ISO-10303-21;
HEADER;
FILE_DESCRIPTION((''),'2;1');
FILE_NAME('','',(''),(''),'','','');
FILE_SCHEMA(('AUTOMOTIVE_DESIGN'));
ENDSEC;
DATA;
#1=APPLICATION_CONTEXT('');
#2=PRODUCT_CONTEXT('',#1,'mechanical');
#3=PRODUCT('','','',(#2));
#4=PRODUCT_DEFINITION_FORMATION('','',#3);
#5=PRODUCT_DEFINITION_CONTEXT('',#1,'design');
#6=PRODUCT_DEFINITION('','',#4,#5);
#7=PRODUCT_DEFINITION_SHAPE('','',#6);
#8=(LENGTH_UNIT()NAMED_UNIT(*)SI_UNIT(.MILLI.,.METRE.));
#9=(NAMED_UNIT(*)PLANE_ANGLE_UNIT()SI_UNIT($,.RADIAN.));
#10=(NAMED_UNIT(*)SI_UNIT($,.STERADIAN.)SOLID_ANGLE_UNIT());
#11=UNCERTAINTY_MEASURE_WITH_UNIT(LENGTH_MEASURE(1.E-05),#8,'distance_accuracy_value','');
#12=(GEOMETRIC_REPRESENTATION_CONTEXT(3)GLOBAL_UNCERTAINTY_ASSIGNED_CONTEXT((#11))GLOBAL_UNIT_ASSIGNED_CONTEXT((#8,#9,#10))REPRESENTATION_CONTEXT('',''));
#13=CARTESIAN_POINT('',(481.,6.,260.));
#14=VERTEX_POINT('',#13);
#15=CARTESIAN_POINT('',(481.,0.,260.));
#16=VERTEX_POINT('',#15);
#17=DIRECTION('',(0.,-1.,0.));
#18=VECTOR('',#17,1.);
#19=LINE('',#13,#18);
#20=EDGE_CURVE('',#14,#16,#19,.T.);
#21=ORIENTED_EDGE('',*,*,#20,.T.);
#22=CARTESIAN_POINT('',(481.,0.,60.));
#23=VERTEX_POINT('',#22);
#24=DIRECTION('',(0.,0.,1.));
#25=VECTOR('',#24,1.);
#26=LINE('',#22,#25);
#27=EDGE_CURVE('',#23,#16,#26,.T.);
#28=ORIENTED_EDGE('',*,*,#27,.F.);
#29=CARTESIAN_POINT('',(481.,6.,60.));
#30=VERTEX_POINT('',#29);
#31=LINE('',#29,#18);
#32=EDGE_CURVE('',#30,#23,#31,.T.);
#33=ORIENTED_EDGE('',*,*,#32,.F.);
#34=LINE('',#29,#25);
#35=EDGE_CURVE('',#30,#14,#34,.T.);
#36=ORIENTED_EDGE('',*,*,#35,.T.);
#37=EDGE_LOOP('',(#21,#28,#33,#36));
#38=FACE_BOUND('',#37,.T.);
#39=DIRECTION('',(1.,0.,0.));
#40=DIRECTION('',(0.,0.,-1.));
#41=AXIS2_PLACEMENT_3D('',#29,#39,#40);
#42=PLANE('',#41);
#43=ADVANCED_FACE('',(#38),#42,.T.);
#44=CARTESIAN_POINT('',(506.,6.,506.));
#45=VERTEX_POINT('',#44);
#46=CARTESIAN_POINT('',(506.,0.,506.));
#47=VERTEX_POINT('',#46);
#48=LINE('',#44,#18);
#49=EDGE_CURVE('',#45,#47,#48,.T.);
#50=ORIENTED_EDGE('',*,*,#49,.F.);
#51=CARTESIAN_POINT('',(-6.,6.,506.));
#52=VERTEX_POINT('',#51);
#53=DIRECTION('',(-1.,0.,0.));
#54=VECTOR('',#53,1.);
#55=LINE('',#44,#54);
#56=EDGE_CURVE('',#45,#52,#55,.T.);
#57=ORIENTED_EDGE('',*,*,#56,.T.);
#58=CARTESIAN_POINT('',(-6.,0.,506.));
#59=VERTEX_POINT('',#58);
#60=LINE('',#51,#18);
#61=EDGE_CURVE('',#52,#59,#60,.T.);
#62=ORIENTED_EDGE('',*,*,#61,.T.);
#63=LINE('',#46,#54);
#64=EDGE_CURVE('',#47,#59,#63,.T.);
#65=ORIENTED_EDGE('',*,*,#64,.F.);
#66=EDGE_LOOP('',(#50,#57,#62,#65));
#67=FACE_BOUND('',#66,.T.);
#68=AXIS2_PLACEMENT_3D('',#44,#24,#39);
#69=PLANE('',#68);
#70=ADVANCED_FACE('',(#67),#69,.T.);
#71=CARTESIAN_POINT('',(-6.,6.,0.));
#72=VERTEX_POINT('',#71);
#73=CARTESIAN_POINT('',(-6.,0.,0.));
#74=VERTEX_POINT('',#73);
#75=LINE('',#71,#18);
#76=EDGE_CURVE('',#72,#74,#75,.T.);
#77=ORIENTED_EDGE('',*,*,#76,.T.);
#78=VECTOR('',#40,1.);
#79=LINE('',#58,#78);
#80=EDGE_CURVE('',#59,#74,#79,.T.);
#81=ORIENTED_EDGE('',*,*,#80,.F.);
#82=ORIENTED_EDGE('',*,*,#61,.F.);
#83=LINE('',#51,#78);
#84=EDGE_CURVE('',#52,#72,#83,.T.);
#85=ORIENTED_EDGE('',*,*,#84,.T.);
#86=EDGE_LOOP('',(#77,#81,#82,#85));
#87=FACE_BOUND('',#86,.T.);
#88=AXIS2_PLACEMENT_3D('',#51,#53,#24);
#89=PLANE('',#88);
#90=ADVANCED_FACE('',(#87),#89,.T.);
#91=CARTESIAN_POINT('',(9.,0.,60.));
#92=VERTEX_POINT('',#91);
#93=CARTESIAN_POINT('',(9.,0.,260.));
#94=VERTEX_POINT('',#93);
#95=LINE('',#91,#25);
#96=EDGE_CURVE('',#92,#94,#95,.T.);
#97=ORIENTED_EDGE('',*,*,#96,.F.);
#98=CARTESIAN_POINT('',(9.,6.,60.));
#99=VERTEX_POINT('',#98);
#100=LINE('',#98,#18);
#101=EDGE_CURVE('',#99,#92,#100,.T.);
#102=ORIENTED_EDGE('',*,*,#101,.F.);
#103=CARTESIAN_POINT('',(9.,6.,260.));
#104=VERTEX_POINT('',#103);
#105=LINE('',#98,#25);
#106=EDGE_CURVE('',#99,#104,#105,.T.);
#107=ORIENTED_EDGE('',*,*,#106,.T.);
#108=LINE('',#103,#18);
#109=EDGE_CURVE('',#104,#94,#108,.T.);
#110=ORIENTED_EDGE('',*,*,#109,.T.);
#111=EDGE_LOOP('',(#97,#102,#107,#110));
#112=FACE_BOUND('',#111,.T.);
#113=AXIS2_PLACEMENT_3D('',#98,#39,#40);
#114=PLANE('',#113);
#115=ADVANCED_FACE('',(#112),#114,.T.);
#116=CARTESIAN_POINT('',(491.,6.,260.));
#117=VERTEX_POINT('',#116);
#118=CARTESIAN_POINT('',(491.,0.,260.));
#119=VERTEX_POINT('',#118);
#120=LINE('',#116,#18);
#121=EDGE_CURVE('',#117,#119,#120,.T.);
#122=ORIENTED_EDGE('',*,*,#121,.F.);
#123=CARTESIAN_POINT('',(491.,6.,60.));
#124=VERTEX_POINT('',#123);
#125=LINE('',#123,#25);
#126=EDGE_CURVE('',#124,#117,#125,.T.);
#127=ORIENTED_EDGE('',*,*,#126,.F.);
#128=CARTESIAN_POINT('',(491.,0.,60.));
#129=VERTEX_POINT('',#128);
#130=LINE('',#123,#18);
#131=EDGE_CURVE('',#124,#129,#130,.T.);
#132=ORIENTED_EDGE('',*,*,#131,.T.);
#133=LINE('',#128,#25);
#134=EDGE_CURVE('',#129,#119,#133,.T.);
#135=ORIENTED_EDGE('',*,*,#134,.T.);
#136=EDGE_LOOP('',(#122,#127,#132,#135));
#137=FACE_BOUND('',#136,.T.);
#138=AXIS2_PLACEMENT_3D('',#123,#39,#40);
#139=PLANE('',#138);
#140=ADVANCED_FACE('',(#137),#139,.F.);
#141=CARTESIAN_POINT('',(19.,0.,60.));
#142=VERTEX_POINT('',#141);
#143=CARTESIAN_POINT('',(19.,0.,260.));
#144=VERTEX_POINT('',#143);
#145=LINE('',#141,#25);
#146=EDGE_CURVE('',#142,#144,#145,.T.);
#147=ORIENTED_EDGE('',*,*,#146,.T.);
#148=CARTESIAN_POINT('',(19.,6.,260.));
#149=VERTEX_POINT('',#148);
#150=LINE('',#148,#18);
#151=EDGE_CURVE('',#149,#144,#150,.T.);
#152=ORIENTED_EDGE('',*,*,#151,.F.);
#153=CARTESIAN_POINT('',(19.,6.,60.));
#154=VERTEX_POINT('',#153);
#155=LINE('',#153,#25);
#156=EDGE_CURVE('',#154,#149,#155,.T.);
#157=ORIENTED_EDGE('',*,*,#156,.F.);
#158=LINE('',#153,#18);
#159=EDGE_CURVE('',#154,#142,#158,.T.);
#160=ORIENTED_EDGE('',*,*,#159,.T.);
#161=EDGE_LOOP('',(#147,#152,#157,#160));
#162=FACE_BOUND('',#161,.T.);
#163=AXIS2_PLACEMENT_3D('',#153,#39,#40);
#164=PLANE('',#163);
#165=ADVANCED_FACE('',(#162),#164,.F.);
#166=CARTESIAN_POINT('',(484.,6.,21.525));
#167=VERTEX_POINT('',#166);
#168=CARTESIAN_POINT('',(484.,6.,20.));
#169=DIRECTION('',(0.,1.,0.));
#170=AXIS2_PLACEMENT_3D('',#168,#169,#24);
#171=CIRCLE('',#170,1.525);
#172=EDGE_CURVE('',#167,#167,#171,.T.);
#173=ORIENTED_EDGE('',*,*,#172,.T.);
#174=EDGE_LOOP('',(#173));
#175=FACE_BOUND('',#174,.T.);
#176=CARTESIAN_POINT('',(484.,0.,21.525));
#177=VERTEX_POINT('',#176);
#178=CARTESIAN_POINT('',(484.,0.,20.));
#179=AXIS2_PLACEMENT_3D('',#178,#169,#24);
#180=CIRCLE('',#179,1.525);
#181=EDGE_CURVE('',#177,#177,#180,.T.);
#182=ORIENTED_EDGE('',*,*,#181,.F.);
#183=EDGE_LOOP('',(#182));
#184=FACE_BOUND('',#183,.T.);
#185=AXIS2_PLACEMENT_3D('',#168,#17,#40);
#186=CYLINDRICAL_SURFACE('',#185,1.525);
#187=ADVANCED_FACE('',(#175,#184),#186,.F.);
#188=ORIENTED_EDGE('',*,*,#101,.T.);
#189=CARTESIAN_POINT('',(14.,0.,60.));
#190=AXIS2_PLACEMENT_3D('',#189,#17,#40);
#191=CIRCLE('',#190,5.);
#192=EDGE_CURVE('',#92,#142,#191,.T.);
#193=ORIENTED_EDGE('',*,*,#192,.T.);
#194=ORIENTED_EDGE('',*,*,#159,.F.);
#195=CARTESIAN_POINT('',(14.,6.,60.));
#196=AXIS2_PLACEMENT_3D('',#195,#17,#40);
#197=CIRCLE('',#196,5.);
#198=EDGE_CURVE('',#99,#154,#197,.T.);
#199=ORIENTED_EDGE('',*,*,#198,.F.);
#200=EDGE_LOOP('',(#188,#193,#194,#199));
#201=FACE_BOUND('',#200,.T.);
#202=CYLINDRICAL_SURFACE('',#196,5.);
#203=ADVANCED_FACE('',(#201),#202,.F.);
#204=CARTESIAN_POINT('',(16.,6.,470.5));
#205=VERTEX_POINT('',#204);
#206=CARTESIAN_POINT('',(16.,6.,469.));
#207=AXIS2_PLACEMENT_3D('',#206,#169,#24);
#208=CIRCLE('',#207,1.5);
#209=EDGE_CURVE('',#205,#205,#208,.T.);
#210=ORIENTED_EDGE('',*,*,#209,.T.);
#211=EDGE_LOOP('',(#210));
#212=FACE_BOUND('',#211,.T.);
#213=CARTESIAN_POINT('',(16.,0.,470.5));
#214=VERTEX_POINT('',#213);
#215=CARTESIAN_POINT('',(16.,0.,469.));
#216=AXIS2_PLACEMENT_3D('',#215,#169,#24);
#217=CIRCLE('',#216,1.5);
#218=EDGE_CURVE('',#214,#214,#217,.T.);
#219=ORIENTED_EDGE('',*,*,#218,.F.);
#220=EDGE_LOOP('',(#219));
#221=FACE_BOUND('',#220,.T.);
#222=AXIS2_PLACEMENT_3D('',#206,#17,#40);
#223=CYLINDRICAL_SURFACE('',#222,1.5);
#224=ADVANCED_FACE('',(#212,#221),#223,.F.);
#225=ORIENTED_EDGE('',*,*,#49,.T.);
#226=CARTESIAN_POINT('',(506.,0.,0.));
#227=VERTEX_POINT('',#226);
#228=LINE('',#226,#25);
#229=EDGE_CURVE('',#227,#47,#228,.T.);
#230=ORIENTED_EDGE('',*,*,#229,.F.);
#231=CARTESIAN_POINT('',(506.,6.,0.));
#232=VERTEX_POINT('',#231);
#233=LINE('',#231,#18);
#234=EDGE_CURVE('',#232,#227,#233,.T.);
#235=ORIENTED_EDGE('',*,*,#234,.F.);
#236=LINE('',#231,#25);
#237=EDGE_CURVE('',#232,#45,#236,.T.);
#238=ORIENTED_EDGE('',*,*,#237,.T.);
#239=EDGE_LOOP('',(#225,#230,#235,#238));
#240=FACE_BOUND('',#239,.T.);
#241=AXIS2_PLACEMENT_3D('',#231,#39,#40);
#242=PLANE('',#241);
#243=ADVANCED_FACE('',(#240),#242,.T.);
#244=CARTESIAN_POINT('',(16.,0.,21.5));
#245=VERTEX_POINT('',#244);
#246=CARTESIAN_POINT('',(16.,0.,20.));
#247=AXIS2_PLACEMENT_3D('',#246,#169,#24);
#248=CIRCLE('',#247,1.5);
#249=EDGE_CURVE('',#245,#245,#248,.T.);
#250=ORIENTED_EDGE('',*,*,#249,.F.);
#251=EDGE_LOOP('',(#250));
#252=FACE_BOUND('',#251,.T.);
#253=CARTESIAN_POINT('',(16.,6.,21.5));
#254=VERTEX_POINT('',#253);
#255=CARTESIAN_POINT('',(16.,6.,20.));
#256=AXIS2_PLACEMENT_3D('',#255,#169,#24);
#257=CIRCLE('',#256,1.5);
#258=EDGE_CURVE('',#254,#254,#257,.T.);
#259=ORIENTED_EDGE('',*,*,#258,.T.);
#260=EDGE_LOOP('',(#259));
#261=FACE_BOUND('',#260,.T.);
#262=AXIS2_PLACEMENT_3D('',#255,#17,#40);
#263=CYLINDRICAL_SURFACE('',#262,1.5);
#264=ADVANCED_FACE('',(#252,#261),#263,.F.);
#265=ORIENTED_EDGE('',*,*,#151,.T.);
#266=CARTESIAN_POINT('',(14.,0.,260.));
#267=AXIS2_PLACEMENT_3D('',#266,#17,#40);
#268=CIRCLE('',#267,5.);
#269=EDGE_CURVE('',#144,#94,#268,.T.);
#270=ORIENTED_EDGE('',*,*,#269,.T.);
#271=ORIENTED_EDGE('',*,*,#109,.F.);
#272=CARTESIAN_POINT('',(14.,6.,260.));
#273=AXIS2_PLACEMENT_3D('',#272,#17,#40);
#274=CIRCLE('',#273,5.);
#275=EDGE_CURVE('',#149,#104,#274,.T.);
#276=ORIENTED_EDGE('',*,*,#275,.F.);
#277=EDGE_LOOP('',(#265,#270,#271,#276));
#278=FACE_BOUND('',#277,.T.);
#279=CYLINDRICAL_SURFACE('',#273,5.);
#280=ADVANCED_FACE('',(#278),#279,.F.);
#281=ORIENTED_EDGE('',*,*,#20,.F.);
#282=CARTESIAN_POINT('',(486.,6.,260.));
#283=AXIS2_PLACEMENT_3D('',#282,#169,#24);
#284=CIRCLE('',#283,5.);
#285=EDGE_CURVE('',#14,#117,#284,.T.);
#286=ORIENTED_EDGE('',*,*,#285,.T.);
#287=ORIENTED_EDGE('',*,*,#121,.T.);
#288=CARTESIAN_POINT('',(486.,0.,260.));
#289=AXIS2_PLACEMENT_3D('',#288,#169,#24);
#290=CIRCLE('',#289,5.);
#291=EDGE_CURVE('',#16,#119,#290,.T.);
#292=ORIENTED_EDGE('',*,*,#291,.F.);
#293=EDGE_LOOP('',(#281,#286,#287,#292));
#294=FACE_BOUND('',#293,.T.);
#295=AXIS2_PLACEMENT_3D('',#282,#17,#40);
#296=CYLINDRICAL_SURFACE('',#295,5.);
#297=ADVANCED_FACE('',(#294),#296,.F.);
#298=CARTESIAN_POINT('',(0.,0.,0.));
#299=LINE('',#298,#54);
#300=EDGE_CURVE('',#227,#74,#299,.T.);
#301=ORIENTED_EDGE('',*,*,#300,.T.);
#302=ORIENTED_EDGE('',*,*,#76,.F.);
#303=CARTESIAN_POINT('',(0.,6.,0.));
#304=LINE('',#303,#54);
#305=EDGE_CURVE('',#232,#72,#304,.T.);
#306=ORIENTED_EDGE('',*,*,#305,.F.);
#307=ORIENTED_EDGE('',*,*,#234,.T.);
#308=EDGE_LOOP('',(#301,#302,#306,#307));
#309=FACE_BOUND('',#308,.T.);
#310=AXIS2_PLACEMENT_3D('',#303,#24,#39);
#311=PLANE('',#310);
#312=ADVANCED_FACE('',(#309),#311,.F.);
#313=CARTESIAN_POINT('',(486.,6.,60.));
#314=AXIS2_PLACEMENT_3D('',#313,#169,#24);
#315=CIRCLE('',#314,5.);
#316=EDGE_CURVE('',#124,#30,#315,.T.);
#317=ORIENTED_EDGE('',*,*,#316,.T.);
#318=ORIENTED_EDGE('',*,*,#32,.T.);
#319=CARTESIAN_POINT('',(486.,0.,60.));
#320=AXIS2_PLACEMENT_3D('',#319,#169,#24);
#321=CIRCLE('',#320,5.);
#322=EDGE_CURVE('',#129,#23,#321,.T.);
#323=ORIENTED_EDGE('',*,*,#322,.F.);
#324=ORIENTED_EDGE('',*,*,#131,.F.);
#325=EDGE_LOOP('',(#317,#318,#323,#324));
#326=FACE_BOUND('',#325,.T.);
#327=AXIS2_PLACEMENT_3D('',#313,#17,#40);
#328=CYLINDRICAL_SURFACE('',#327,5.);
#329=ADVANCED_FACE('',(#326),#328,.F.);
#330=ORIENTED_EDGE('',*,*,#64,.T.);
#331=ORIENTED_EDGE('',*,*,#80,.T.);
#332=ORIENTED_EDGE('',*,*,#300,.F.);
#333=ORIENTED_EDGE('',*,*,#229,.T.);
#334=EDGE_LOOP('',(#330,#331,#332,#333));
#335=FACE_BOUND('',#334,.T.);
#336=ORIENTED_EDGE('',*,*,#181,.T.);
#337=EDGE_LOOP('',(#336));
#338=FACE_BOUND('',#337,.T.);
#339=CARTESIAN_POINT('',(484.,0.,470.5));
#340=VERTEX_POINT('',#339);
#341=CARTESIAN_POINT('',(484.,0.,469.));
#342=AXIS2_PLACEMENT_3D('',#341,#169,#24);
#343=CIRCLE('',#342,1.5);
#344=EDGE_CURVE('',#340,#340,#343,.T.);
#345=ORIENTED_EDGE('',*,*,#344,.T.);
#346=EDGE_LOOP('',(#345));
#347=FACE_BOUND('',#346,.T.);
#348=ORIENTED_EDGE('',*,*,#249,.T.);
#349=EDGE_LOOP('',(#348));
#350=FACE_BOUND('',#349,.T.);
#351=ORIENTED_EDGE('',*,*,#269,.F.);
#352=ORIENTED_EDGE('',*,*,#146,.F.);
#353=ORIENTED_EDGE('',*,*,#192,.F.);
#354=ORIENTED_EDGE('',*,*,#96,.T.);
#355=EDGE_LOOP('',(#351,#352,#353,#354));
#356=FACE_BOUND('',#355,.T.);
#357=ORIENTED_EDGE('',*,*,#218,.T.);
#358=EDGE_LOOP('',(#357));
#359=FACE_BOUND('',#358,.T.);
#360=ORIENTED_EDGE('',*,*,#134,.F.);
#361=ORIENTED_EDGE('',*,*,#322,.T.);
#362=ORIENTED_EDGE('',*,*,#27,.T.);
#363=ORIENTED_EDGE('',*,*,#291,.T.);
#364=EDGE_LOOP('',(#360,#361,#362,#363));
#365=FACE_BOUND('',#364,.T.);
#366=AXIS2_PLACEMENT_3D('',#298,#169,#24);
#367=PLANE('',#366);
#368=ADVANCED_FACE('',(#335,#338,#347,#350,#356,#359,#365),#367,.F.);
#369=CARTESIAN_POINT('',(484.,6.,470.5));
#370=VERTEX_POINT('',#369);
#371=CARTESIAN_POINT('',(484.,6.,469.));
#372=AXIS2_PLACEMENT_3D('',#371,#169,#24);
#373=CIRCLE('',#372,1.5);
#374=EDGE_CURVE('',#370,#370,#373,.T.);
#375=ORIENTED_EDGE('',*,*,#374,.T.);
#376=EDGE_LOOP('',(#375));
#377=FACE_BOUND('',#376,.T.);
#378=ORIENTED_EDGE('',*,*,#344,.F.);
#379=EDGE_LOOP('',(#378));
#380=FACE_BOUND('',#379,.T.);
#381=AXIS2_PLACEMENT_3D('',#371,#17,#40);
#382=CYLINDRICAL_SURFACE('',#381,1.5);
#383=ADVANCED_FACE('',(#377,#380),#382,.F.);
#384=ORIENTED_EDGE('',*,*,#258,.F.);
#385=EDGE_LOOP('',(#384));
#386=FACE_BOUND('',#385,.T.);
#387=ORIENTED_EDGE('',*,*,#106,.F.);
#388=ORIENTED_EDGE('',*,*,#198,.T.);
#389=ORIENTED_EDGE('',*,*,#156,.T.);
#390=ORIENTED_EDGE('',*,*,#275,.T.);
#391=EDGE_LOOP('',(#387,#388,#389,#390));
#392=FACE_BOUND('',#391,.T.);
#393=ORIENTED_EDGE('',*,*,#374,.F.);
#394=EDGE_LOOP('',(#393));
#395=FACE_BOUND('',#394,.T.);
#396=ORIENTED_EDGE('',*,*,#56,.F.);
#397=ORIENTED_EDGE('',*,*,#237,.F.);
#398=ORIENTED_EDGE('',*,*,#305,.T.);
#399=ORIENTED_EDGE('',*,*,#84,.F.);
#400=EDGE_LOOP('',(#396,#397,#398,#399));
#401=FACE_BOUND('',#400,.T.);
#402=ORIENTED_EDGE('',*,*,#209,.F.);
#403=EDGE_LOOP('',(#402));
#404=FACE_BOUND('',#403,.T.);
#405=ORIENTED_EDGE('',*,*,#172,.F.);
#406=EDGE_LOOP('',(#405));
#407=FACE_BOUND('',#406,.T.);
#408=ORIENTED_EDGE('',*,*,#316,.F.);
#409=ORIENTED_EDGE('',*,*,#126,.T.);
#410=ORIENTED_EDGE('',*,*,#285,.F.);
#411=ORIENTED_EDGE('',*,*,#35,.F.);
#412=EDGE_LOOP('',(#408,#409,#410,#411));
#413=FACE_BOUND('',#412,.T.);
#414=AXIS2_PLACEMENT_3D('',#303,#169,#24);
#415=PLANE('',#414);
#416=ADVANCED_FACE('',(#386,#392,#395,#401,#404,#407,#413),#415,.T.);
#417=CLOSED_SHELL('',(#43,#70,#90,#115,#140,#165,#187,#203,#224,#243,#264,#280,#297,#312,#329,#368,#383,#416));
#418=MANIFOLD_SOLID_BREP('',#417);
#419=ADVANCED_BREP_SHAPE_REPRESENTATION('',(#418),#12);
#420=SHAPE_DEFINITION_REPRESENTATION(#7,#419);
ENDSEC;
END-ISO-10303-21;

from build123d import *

# Parameters (mm, degrees)
SKETCH1_W           = 500
SKETCH1_H           = 500
SKETCH1_R           = 1.525
SKETCH1_R_2         = 1.5
BOSS_EXTRUDE1_DEPTH = 6
BOSS_EXTRUDE2_DEPTH = 6
CUT_EXTRUDE1_DEPTH  = 7


with BuildPart() as part:
    # Sketch1 → Boss-Extrude1 (new body)
    with BuildSketch(Plane(origin=(0, 0, 0), x_dir=(1, 0, 0), z_dir=(0, 1, 0))):
        with Locations((250, -250)):
            Rectangle(SKETCH1_W, SKETCH1_H)
        with Locations((484, -20)):
            Circle(SKETCH1_R, mode=Mode.SUBTRACT)
        with Locations((16, -20)):
            Circle(SKETCH1_R_2, mode=Mode.SUBTRACT)
        with Locations((484, -469)):
            Circle(SKETCH1_R_2, mode=Mode.SUBTRACT)
        with Locations((16, -469)):
            Circle(SKETCH1_R_2, mode=Mode.SUBTRACT)
    extrude(amount=BOSS_EXTRUDE1_DEPTH)

    # Sketch2 → Boss-Extrude2 (add)
    with BuildSketch(Plane.XZ):
        Polygon((-6, 506), (-6, 0), (0, 0), (0, 500), (500, 500), (500, 0), (506, 0), (506, 506), align=None)
    extrude(amount=-BOSS_EXTRUDE2_DEPTH)

    # Sketch3 → Cut-Extrude1 (cut, through all)
    with BuildSketch(Plane.XZ):
        with BuildLine():
            Line((9, 60), (9, 260))
            ThreePointArc((9, 260), (14, 265), (19, 260))
            Line((19, 260), (19, 60))
            ThreePointArc((19, 60), (14, 55), (9, 60))
        make_face()
        with BuildLine():
            Line((491, 60), (491, 260))
            ThreePointArc((491, 260), (486, 265), (481, 260))
            Line((481, 260), (481, 60))
            ThreePointArc((481, 60), (486, 55), (491, 60))
        make_face()
    extrude(amount=-CUT_EXTRUDE1_DEPTH, mode=Mode.SUBTRACT)


solid = part.part
